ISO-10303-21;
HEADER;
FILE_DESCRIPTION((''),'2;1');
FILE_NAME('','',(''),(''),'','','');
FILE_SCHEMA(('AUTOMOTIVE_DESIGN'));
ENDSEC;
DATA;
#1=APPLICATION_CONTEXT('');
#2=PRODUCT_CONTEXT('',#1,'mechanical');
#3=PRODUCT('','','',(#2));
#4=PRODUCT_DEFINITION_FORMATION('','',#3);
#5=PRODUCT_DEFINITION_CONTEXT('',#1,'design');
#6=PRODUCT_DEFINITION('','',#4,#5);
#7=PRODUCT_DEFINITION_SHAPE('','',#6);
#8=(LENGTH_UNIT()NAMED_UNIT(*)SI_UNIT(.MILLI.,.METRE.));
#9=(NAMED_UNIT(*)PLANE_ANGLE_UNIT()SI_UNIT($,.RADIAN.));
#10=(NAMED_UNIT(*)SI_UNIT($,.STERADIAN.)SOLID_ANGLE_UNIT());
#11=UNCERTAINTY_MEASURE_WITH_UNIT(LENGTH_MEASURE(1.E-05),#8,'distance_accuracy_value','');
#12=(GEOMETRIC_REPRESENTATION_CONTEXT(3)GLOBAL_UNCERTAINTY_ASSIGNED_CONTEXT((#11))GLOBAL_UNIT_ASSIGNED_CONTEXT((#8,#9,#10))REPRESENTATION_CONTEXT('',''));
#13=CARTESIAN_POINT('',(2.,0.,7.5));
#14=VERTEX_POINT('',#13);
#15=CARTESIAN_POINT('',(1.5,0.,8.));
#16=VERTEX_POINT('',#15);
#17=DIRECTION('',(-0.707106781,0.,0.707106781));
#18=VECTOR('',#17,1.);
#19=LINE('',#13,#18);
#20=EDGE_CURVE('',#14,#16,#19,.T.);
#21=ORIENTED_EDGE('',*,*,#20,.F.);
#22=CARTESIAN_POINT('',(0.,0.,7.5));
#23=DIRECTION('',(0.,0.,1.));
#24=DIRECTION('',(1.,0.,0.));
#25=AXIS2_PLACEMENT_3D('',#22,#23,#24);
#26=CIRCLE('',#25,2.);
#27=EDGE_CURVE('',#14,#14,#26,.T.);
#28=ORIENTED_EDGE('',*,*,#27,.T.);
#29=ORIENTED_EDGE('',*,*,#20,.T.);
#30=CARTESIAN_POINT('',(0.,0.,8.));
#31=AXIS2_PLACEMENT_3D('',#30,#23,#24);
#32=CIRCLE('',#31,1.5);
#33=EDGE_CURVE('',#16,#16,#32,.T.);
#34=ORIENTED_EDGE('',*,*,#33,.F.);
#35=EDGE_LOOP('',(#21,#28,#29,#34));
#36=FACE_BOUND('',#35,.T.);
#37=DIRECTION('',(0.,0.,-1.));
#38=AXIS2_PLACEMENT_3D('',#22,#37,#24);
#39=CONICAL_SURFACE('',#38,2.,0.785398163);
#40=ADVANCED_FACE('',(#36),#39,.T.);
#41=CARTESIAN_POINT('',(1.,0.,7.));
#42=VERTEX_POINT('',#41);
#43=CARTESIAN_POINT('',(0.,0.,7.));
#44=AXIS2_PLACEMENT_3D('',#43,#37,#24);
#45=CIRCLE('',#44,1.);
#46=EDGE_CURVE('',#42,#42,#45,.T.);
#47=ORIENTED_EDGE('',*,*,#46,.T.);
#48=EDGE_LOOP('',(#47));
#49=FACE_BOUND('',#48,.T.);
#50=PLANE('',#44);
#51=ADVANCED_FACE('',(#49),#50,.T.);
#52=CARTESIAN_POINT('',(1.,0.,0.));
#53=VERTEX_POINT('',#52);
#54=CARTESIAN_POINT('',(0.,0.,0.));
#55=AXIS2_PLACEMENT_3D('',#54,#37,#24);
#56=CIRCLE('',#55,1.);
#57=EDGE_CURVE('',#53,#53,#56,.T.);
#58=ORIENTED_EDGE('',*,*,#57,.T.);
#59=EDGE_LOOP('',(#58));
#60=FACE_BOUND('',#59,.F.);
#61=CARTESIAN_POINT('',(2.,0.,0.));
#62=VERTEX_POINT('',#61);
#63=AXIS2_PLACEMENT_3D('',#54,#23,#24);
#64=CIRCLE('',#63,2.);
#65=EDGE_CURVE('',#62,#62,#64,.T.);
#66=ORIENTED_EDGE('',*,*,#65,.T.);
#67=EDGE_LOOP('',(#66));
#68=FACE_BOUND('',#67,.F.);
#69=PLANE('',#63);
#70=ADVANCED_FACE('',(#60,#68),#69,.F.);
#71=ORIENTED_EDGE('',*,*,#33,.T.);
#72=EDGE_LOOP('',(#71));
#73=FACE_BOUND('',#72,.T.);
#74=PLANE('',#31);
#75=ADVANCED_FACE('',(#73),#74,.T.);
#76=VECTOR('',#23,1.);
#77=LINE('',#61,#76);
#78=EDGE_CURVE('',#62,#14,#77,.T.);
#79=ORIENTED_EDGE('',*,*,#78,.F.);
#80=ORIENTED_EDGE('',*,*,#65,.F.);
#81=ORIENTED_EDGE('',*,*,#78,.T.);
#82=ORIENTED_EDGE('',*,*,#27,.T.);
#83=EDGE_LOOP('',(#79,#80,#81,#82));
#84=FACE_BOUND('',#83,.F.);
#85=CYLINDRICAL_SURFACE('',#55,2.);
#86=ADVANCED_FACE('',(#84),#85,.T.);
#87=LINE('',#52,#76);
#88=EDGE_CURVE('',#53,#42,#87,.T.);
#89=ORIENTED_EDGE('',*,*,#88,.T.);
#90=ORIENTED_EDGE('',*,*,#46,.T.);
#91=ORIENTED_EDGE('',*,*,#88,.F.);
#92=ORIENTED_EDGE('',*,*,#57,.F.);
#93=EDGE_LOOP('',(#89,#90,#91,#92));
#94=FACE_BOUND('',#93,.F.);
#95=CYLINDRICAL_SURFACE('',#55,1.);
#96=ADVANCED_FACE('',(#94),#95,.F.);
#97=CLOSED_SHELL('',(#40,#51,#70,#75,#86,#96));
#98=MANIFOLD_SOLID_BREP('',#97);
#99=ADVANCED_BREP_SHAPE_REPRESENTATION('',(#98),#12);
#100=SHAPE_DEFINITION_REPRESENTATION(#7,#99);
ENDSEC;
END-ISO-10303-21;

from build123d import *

# Parameters (mm, degrees)
F0_R     = 2
F1_DEPTH = 8
F2_R     = 1
F3_DEPTH = 7
F4_SIZE  = 0.5


with BuildPart() as f1:
    # F0 (on Top) → F1 (new body)
    with BuildSketch(Plane.XY):
        Circle(F0_R)
    extrude(amount=F1_DEPTH)

    # F2 (on face) → F3 (cut)
    with BuildSketch(Plane(origin=(0, 0, 0), x_dir=(1, 0, 0), z_dir=(0, 0, -1))):
        Circle(F2_R)
    extrude(amount=-F3_DEPTH, mode=Mode.SUBTRACT)

    # F4
    f4_edges = [f1.edges().sort_by_distance(p)[0] for p in [
        (-2, 0, 8),
    ]]
    chamfer(f4_edges, length=F4_SIZE)


solid = f1.part
